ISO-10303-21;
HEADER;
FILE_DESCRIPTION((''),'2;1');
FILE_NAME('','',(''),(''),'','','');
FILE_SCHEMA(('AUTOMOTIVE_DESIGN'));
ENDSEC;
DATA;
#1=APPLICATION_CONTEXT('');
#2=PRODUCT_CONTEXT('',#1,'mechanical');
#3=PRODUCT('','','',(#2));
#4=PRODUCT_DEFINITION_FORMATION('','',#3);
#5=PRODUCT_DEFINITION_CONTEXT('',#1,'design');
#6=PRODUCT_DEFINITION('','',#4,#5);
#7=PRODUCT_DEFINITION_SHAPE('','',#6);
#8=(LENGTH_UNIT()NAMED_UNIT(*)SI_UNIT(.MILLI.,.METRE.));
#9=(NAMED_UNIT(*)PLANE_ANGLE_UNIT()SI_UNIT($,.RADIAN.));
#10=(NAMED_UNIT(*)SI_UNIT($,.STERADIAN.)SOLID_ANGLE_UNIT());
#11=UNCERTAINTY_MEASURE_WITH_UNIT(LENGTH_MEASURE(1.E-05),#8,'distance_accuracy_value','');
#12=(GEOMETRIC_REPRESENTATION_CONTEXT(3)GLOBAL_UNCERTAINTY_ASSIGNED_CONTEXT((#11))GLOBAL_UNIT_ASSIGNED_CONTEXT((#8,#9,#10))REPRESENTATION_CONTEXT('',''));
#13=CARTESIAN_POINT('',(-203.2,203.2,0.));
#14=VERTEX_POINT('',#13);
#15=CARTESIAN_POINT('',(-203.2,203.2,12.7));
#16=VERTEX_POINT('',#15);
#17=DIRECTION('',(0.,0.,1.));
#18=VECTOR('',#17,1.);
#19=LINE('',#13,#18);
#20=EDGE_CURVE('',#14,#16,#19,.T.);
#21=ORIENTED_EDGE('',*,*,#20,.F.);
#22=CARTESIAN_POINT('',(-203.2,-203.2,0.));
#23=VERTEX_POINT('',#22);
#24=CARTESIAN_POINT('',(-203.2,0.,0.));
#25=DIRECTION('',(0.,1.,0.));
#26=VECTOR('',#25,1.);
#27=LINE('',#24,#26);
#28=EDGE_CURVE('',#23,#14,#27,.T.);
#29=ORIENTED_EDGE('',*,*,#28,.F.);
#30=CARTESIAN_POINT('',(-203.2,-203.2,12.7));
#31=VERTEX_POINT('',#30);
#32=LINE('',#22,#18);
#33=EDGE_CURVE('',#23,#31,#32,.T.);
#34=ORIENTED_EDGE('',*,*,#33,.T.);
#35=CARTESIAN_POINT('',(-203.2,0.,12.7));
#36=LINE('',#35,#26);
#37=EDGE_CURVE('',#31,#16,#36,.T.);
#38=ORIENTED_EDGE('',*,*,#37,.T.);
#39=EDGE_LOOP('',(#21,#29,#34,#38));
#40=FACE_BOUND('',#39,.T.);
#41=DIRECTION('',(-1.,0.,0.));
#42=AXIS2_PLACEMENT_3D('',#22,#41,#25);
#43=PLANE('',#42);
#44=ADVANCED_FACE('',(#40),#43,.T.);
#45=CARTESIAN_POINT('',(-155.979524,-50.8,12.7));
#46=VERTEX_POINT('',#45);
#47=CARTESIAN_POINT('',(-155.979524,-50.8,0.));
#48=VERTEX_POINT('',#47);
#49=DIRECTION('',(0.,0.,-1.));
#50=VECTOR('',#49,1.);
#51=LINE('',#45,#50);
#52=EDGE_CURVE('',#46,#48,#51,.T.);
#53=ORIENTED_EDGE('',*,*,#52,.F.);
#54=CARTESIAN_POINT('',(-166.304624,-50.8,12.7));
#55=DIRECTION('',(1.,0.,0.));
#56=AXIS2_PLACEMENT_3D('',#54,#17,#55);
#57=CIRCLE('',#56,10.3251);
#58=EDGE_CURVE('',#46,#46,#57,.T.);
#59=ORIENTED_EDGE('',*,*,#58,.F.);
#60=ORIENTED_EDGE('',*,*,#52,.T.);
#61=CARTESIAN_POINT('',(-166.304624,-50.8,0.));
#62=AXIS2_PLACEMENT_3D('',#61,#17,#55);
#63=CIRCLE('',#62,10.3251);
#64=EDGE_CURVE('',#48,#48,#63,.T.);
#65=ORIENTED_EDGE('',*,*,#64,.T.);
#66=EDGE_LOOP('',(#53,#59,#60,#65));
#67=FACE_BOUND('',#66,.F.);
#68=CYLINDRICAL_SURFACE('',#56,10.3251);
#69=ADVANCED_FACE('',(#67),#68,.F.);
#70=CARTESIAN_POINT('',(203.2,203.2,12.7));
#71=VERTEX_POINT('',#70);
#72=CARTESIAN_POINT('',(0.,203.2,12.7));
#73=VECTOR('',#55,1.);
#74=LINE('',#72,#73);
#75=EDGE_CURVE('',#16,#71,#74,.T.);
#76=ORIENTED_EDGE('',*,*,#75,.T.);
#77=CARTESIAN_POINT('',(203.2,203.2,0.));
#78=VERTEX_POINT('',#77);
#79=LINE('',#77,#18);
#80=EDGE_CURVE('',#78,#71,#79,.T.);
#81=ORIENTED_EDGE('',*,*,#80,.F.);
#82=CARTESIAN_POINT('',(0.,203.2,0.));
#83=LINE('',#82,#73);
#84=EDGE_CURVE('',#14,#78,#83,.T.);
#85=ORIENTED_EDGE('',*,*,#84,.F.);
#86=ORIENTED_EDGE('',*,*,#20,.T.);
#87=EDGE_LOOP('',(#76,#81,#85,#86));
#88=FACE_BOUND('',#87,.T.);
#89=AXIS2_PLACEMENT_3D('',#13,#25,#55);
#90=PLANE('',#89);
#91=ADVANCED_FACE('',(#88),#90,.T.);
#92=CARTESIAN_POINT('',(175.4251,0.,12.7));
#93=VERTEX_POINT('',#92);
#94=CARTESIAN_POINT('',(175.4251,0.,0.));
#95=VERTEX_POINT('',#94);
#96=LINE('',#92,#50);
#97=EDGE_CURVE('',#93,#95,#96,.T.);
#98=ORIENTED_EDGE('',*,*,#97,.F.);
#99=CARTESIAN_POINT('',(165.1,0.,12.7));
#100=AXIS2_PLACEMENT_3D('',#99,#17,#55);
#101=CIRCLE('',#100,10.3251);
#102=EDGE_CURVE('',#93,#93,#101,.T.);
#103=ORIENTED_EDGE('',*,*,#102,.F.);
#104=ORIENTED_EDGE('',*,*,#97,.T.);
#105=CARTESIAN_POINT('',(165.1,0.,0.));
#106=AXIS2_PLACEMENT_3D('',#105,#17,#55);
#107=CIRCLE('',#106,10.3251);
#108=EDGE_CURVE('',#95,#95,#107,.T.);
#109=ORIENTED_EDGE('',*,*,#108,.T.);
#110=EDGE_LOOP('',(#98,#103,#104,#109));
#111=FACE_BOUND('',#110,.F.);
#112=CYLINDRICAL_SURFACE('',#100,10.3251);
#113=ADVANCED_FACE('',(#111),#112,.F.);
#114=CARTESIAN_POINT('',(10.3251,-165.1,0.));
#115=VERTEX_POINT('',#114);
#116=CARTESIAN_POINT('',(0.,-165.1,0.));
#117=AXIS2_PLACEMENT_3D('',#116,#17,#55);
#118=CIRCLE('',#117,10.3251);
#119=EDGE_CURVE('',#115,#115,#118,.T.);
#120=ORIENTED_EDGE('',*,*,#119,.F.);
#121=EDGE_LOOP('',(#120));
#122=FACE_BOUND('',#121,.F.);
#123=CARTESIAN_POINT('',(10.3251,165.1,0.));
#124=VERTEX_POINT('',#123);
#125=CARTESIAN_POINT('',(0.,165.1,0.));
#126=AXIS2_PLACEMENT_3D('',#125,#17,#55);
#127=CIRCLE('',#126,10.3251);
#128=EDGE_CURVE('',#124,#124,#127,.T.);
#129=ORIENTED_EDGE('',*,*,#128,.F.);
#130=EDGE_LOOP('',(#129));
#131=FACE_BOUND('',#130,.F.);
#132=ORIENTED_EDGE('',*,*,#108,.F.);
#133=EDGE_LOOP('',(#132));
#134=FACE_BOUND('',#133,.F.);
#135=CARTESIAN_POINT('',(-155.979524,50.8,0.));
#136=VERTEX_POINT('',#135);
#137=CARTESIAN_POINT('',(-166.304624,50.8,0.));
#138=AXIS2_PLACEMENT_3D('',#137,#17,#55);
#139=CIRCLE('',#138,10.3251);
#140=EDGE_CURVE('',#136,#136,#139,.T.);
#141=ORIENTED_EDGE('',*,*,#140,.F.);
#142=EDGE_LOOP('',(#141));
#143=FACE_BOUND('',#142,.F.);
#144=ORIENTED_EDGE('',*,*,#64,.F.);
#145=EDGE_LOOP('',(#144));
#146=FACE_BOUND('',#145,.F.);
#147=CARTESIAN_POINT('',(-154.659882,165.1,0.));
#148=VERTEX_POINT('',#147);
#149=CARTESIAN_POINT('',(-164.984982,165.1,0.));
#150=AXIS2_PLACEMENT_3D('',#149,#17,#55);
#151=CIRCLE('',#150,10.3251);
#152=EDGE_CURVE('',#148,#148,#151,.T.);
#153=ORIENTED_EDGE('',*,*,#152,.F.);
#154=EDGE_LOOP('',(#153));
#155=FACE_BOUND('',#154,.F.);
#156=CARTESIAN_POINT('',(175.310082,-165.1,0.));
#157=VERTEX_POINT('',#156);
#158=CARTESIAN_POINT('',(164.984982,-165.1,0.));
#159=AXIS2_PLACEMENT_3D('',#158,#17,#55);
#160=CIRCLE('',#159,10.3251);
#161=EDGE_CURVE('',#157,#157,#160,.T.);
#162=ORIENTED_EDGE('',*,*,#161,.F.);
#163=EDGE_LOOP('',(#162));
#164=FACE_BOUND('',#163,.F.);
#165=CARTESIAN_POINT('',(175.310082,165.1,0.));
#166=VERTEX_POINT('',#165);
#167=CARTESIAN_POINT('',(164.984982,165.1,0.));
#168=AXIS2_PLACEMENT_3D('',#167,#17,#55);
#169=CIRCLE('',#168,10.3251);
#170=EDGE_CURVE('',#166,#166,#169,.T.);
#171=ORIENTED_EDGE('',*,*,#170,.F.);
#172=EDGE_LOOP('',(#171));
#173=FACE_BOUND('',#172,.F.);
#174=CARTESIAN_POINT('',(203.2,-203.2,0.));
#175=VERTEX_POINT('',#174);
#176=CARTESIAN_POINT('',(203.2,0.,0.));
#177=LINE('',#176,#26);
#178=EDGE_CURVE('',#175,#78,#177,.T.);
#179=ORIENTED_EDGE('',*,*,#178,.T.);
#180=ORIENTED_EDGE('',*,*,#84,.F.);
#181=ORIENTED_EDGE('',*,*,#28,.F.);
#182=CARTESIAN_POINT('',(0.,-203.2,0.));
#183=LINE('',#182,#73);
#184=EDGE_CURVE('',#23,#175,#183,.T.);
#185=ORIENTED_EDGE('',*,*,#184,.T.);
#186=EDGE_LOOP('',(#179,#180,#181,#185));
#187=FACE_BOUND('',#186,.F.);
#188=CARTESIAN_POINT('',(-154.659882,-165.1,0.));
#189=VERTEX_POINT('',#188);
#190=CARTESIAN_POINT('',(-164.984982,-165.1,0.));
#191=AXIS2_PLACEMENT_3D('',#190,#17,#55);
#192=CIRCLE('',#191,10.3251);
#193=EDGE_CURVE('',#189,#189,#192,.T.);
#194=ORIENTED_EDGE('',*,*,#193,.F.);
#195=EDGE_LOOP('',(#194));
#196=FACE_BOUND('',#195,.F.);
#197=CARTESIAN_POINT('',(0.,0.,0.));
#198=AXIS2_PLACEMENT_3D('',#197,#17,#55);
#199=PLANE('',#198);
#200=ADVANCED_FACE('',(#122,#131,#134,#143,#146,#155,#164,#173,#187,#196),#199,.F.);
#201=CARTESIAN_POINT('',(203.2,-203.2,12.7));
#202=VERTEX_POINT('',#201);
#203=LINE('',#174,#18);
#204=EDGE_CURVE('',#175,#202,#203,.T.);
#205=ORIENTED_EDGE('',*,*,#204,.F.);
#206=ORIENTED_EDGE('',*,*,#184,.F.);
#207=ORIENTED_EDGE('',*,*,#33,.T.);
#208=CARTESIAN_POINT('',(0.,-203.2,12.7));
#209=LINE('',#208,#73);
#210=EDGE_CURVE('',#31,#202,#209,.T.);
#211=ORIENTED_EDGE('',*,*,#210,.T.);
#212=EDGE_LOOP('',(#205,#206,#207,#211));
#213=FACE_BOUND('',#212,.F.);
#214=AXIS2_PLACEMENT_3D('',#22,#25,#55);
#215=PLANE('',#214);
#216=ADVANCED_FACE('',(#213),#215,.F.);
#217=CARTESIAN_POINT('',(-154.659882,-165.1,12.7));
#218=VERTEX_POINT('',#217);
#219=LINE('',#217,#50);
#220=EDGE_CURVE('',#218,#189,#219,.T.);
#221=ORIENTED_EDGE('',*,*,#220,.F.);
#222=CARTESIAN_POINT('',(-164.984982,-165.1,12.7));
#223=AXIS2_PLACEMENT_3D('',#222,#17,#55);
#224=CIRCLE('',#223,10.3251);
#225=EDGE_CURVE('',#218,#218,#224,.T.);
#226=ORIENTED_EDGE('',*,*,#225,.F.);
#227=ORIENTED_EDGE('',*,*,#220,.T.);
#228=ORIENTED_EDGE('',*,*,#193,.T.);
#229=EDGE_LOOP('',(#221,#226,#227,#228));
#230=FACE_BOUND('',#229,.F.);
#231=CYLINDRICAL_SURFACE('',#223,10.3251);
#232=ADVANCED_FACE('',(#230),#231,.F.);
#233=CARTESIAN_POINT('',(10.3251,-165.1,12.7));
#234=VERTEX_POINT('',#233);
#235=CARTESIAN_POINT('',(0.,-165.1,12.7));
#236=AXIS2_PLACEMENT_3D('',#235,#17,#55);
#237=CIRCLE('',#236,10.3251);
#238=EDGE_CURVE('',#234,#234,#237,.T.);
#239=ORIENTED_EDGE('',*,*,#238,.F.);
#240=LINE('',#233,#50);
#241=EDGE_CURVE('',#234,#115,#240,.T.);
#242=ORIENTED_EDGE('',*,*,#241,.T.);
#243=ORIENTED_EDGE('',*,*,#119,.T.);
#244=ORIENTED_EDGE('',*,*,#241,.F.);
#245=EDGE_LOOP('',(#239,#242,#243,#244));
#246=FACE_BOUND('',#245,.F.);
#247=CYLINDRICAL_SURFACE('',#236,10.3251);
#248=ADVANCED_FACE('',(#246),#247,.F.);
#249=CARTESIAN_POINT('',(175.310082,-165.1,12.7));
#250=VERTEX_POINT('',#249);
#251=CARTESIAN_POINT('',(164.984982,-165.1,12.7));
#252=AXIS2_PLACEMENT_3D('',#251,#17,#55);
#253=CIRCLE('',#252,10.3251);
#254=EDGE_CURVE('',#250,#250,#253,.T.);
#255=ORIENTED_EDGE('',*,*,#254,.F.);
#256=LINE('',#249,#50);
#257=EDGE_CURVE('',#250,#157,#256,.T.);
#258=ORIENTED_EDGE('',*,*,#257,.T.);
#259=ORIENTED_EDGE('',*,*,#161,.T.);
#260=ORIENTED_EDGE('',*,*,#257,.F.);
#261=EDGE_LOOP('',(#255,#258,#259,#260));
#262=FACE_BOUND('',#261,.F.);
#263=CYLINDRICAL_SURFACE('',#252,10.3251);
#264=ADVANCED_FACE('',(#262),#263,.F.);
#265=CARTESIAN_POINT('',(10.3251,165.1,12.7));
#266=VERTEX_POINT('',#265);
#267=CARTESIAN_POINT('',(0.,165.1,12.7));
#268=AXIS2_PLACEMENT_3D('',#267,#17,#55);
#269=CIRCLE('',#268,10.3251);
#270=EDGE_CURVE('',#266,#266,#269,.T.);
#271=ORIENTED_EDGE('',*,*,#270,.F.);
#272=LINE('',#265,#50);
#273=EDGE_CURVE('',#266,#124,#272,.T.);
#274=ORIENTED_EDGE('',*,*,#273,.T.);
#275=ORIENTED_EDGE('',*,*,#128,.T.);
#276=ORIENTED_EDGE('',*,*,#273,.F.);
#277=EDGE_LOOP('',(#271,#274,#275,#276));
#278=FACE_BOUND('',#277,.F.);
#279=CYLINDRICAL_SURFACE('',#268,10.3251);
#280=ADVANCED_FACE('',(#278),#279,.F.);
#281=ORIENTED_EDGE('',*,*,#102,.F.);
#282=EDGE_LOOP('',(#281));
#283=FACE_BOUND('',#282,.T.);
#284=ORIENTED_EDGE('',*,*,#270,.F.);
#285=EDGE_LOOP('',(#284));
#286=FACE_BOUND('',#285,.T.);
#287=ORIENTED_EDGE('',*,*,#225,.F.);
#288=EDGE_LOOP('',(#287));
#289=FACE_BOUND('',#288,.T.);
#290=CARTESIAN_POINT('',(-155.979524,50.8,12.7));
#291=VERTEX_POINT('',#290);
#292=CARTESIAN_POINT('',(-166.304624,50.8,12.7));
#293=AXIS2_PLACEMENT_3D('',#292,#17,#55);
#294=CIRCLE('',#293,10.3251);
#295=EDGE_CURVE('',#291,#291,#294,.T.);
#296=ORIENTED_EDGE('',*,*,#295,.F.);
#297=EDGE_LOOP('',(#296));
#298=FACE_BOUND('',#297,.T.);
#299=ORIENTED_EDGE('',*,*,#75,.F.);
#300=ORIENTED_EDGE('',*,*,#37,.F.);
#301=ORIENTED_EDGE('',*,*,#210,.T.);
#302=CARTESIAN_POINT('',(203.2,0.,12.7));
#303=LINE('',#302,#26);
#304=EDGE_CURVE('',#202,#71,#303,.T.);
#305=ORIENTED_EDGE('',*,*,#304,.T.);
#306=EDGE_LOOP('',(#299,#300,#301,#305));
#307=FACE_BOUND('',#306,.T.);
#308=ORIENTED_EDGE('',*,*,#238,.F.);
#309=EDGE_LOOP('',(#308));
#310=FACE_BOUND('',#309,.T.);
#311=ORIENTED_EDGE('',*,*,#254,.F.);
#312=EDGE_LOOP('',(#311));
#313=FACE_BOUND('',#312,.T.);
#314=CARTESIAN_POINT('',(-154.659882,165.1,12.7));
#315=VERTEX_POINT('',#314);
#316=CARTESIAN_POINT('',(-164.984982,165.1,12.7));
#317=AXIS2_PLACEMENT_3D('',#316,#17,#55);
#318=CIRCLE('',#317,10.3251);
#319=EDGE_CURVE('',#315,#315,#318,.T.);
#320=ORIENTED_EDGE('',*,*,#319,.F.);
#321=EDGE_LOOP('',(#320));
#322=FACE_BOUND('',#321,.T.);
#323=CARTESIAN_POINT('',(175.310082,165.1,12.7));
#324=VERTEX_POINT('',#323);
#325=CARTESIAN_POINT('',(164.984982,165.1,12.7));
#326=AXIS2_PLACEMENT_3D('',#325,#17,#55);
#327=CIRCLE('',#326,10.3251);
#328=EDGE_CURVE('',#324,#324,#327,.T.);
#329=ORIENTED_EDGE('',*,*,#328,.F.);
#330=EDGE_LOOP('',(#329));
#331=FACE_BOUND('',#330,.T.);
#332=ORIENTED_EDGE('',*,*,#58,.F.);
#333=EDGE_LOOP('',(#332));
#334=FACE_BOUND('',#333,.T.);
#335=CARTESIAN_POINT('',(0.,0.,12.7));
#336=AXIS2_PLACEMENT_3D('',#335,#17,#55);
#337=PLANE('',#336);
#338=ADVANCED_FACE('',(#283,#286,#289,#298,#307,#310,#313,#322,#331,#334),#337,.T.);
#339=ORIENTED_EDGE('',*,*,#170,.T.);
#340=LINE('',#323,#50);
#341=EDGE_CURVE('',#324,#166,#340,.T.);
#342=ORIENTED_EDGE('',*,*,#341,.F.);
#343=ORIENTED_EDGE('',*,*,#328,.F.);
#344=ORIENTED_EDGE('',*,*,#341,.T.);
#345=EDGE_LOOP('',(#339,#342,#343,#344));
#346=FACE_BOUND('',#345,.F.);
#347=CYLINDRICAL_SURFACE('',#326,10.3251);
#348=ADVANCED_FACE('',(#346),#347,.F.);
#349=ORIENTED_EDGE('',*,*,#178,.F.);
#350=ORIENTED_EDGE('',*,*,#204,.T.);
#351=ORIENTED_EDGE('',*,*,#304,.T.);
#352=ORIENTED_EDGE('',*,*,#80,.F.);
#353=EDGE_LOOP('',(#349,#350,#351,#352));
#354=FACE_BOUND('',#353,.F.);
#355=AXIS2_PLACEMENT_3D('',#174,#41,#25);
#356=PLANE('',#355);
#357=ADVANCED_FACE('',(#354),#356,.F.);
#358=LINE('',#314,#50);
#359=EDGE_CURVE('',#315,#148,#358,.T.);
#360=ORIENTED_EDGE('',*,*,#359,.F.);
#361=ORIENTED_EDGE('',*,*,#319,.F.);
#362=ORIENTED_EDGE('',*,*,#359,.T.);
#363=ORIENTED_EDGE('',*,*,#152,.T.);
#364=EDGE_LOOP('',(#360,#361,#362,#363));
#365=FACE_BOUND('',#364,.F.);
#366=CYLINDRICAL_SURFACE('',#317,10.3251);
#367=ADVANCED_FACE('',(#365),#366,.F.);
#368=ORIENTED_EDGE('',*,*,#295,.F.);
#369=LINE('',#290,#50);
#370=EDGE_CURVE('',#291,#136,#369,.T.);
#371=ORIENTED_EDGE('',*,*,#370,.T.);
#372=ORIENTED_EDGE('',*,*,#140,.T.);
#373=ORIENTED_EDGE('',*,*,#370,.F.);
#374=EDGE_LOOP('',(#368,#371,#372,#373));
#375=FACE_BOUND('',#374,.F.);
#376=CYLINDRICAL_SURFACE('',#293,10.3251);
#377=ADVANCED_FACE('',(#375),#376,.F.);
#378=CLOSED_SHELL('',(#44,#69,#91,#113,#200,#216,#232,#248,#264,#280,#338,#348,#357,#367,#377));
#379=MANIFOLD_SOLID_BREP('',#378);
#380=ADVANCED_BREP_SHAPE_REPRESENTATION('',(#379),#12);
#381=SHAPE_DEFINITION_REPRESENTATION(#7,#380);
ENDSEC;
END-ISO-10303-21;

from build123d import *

# Parameters (mm, degrees)
F0_W     = 406.4
F0_H     = 406.4
F1_DEPTH = 12.7
F2_R     = 10.3251
F3_DEPTH = 25.4


with BuildPart() as f1:
    # F0 (on Top) → F1 (new body)
    with BuildSketch(Plane.XY):
        Rectangle(F0_W, F0_H)
    extrude(amount=F1_DEPTH)

    # F2 (on face) → F3 (cut)
    with BuildSketch(Plane.XY.offset(12.7)):
        with Locations((-164.984982, 165.1)):
            Circle(F2_R)
        with Locations((-166.304624, 50.8)):
            Circle(F2_R)
        with Locations((-166.304624, -50.8)):
            Circle(F2_R)
        with Locations((-164.984982, -165.1)):
            Circle(F2_R)
        with Locations((164.984982, 165.1)):
            Circle(F2_R)
        with Locations((164.984982, -165.1)):
            Circle(F2_R)
        with Locations((165.1, 0)):
            Circle(F2_R)
        with Locations((0, 165.1)):
            Circle(F2_R)
        with Locations((0, -165.1)):
            Circle(F2_R)
    extrude(amount=-F3_DEPTH, mode=Mode.SUBTRACT)


solid = f1.part
